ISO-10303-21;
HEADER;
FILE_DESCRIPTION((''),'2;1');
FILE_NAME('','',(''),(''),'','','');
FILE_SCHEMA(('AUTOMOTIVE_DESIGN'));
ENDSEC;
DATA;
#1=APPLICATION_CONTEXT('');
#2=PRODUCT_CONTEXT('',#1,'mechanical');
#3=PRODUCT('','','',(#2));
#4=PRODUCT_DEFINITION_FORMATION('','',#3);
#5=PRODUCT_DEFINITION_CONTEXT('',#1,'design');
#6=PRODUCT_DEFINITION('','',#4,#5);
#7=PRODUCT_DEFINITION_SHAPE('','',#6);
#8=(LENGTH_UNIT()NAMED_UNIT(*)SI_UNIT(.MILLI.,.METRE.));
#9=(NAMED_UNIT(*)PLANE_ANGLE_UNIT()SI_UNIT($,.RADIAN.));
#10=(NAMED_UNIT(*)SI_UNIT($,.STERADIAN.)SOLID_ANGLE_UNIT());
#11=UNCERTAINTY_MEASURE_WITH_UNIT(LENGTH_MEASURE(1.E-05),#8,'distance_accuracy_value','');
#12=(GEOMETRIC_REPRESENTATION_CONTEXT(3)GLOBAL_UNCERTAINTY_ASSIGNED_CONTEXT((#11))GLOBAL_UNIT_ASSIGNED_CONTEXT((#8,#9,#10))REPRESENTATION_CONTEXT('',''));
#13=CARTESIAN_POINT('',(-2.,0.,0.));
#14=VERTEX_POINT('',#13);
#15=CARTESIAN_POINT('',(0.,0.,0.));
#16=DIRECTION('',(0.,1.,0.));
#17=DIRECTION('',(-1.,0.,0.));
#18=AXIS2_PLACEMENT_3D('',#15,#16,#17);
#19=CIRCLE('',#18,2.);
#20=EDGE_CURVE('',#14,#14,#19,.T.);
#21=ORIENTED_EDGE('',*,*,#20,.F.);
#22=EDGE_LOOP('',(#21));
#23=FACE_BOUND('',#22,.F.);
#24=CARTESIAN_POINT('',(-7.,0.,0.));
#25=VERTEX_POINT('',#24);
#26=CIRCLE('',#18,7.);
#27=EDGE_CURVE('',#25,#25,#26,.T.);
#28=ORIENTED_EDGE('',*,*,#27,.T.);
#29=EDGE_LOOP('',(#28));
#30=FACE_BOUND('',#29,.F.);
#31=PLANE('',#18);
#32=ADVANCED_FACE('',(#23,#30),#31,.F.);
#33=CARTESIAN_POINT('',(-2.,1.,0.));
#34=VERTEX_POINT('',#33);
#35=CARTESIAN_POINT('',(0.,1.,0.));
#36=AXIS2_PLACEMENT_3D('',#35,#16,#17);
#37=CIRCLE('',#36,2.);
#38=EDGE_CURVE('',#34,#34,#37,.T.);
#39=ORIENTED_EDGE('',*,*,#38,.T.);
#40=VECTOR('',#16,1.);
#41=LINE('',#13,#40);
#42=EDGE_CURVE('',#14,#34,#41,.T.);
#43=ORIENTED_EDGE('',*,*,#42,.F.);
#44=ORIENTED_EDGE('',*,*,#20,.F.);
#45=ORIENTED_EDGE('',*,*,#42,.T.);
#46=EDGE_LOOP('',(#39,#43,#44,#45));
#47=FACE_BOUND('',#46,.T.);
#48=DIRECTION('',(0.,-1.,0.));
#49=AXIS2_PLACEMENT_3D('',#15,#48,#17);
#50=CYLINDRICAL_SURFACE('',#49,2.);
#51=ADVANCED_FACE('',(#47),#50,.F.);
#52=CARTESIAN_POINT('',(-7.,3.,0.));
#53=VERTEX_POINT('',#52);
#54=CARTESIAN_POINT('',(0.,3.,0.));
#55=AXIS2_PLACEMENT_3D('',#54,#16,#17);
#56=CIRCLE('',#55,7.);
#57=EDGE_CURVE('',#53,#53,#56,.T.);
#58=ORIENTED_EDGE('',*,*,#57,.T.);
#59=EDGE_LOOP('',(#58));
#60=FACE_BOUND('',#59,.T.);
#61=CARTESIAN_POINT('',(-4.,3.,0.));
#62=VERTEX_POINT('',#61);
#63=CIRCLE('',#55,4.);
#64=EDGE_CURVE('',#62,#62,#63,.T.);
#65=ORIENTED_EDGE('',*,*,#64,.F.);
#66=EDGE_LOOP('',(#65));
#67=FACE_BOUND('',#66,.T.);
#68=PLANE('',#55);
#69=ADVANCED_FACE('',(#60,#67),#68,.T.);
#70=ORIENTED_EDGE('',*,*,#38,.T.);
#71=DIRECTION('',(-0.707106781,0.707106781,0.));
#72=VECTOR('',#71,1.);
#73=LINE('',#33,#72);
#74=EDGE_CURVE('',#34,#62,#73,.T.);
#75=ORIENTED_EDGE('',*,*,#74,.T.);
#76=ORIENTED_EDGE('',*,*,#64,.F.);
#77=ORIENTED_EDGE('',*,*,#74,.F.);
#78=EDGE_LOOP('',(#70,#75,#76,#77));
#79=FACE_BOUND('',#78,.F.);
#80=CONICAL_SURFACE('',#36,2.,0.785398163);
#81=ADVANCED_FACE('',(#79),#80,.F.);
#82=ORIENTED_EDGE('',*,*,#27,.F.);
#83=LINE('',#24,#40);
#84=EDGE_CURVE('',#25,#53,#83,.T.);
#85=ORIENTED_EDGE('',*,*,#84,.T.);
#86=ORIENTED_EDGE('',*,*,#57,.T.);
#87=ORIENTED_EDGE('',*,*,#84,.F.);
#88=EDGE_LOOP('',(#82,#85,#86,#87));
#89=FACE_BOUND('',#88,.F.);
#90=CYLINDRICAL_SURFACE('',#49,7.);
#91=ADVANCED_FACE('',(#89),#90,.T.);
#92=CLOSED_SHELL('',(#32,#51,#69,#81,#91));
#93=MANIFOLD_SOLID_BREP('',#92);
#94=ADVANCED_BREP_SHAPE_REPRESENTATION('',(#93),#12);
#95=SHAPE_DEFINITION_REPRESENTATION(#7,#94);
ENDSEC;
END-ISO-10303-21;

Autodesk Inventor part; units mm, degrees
ref_plane "YZ Plane" through (0, 0, 0) normal (1, 0, 0) x (0, 1, 0)
ref_plane "XZ Plane" through (0, 0, 0) normal (0, 1, 0) x (-1, 0, 0)
ref_plane "XY Plane" through (0, 0, 0) normal (0, 0, 1) x (1, 0, 0)
sketch "Sketch1" plane through (0, 0, 0) normal (0, 1, 0) x (-1, 0, 0)
  circle A0 centre (0, 0) radius 7
  circle A1 centre (0, 0) radius 2
  dimension "d0" = 14
  dimension "d1" = 4
extrude "Extrusion1" add sketch "Sketch1" along normal blind 3
chamfer "Chamfer1" distance 2 angle 45 1 edges at (2, 3, 0)
properties part number "magnet_14_3"
